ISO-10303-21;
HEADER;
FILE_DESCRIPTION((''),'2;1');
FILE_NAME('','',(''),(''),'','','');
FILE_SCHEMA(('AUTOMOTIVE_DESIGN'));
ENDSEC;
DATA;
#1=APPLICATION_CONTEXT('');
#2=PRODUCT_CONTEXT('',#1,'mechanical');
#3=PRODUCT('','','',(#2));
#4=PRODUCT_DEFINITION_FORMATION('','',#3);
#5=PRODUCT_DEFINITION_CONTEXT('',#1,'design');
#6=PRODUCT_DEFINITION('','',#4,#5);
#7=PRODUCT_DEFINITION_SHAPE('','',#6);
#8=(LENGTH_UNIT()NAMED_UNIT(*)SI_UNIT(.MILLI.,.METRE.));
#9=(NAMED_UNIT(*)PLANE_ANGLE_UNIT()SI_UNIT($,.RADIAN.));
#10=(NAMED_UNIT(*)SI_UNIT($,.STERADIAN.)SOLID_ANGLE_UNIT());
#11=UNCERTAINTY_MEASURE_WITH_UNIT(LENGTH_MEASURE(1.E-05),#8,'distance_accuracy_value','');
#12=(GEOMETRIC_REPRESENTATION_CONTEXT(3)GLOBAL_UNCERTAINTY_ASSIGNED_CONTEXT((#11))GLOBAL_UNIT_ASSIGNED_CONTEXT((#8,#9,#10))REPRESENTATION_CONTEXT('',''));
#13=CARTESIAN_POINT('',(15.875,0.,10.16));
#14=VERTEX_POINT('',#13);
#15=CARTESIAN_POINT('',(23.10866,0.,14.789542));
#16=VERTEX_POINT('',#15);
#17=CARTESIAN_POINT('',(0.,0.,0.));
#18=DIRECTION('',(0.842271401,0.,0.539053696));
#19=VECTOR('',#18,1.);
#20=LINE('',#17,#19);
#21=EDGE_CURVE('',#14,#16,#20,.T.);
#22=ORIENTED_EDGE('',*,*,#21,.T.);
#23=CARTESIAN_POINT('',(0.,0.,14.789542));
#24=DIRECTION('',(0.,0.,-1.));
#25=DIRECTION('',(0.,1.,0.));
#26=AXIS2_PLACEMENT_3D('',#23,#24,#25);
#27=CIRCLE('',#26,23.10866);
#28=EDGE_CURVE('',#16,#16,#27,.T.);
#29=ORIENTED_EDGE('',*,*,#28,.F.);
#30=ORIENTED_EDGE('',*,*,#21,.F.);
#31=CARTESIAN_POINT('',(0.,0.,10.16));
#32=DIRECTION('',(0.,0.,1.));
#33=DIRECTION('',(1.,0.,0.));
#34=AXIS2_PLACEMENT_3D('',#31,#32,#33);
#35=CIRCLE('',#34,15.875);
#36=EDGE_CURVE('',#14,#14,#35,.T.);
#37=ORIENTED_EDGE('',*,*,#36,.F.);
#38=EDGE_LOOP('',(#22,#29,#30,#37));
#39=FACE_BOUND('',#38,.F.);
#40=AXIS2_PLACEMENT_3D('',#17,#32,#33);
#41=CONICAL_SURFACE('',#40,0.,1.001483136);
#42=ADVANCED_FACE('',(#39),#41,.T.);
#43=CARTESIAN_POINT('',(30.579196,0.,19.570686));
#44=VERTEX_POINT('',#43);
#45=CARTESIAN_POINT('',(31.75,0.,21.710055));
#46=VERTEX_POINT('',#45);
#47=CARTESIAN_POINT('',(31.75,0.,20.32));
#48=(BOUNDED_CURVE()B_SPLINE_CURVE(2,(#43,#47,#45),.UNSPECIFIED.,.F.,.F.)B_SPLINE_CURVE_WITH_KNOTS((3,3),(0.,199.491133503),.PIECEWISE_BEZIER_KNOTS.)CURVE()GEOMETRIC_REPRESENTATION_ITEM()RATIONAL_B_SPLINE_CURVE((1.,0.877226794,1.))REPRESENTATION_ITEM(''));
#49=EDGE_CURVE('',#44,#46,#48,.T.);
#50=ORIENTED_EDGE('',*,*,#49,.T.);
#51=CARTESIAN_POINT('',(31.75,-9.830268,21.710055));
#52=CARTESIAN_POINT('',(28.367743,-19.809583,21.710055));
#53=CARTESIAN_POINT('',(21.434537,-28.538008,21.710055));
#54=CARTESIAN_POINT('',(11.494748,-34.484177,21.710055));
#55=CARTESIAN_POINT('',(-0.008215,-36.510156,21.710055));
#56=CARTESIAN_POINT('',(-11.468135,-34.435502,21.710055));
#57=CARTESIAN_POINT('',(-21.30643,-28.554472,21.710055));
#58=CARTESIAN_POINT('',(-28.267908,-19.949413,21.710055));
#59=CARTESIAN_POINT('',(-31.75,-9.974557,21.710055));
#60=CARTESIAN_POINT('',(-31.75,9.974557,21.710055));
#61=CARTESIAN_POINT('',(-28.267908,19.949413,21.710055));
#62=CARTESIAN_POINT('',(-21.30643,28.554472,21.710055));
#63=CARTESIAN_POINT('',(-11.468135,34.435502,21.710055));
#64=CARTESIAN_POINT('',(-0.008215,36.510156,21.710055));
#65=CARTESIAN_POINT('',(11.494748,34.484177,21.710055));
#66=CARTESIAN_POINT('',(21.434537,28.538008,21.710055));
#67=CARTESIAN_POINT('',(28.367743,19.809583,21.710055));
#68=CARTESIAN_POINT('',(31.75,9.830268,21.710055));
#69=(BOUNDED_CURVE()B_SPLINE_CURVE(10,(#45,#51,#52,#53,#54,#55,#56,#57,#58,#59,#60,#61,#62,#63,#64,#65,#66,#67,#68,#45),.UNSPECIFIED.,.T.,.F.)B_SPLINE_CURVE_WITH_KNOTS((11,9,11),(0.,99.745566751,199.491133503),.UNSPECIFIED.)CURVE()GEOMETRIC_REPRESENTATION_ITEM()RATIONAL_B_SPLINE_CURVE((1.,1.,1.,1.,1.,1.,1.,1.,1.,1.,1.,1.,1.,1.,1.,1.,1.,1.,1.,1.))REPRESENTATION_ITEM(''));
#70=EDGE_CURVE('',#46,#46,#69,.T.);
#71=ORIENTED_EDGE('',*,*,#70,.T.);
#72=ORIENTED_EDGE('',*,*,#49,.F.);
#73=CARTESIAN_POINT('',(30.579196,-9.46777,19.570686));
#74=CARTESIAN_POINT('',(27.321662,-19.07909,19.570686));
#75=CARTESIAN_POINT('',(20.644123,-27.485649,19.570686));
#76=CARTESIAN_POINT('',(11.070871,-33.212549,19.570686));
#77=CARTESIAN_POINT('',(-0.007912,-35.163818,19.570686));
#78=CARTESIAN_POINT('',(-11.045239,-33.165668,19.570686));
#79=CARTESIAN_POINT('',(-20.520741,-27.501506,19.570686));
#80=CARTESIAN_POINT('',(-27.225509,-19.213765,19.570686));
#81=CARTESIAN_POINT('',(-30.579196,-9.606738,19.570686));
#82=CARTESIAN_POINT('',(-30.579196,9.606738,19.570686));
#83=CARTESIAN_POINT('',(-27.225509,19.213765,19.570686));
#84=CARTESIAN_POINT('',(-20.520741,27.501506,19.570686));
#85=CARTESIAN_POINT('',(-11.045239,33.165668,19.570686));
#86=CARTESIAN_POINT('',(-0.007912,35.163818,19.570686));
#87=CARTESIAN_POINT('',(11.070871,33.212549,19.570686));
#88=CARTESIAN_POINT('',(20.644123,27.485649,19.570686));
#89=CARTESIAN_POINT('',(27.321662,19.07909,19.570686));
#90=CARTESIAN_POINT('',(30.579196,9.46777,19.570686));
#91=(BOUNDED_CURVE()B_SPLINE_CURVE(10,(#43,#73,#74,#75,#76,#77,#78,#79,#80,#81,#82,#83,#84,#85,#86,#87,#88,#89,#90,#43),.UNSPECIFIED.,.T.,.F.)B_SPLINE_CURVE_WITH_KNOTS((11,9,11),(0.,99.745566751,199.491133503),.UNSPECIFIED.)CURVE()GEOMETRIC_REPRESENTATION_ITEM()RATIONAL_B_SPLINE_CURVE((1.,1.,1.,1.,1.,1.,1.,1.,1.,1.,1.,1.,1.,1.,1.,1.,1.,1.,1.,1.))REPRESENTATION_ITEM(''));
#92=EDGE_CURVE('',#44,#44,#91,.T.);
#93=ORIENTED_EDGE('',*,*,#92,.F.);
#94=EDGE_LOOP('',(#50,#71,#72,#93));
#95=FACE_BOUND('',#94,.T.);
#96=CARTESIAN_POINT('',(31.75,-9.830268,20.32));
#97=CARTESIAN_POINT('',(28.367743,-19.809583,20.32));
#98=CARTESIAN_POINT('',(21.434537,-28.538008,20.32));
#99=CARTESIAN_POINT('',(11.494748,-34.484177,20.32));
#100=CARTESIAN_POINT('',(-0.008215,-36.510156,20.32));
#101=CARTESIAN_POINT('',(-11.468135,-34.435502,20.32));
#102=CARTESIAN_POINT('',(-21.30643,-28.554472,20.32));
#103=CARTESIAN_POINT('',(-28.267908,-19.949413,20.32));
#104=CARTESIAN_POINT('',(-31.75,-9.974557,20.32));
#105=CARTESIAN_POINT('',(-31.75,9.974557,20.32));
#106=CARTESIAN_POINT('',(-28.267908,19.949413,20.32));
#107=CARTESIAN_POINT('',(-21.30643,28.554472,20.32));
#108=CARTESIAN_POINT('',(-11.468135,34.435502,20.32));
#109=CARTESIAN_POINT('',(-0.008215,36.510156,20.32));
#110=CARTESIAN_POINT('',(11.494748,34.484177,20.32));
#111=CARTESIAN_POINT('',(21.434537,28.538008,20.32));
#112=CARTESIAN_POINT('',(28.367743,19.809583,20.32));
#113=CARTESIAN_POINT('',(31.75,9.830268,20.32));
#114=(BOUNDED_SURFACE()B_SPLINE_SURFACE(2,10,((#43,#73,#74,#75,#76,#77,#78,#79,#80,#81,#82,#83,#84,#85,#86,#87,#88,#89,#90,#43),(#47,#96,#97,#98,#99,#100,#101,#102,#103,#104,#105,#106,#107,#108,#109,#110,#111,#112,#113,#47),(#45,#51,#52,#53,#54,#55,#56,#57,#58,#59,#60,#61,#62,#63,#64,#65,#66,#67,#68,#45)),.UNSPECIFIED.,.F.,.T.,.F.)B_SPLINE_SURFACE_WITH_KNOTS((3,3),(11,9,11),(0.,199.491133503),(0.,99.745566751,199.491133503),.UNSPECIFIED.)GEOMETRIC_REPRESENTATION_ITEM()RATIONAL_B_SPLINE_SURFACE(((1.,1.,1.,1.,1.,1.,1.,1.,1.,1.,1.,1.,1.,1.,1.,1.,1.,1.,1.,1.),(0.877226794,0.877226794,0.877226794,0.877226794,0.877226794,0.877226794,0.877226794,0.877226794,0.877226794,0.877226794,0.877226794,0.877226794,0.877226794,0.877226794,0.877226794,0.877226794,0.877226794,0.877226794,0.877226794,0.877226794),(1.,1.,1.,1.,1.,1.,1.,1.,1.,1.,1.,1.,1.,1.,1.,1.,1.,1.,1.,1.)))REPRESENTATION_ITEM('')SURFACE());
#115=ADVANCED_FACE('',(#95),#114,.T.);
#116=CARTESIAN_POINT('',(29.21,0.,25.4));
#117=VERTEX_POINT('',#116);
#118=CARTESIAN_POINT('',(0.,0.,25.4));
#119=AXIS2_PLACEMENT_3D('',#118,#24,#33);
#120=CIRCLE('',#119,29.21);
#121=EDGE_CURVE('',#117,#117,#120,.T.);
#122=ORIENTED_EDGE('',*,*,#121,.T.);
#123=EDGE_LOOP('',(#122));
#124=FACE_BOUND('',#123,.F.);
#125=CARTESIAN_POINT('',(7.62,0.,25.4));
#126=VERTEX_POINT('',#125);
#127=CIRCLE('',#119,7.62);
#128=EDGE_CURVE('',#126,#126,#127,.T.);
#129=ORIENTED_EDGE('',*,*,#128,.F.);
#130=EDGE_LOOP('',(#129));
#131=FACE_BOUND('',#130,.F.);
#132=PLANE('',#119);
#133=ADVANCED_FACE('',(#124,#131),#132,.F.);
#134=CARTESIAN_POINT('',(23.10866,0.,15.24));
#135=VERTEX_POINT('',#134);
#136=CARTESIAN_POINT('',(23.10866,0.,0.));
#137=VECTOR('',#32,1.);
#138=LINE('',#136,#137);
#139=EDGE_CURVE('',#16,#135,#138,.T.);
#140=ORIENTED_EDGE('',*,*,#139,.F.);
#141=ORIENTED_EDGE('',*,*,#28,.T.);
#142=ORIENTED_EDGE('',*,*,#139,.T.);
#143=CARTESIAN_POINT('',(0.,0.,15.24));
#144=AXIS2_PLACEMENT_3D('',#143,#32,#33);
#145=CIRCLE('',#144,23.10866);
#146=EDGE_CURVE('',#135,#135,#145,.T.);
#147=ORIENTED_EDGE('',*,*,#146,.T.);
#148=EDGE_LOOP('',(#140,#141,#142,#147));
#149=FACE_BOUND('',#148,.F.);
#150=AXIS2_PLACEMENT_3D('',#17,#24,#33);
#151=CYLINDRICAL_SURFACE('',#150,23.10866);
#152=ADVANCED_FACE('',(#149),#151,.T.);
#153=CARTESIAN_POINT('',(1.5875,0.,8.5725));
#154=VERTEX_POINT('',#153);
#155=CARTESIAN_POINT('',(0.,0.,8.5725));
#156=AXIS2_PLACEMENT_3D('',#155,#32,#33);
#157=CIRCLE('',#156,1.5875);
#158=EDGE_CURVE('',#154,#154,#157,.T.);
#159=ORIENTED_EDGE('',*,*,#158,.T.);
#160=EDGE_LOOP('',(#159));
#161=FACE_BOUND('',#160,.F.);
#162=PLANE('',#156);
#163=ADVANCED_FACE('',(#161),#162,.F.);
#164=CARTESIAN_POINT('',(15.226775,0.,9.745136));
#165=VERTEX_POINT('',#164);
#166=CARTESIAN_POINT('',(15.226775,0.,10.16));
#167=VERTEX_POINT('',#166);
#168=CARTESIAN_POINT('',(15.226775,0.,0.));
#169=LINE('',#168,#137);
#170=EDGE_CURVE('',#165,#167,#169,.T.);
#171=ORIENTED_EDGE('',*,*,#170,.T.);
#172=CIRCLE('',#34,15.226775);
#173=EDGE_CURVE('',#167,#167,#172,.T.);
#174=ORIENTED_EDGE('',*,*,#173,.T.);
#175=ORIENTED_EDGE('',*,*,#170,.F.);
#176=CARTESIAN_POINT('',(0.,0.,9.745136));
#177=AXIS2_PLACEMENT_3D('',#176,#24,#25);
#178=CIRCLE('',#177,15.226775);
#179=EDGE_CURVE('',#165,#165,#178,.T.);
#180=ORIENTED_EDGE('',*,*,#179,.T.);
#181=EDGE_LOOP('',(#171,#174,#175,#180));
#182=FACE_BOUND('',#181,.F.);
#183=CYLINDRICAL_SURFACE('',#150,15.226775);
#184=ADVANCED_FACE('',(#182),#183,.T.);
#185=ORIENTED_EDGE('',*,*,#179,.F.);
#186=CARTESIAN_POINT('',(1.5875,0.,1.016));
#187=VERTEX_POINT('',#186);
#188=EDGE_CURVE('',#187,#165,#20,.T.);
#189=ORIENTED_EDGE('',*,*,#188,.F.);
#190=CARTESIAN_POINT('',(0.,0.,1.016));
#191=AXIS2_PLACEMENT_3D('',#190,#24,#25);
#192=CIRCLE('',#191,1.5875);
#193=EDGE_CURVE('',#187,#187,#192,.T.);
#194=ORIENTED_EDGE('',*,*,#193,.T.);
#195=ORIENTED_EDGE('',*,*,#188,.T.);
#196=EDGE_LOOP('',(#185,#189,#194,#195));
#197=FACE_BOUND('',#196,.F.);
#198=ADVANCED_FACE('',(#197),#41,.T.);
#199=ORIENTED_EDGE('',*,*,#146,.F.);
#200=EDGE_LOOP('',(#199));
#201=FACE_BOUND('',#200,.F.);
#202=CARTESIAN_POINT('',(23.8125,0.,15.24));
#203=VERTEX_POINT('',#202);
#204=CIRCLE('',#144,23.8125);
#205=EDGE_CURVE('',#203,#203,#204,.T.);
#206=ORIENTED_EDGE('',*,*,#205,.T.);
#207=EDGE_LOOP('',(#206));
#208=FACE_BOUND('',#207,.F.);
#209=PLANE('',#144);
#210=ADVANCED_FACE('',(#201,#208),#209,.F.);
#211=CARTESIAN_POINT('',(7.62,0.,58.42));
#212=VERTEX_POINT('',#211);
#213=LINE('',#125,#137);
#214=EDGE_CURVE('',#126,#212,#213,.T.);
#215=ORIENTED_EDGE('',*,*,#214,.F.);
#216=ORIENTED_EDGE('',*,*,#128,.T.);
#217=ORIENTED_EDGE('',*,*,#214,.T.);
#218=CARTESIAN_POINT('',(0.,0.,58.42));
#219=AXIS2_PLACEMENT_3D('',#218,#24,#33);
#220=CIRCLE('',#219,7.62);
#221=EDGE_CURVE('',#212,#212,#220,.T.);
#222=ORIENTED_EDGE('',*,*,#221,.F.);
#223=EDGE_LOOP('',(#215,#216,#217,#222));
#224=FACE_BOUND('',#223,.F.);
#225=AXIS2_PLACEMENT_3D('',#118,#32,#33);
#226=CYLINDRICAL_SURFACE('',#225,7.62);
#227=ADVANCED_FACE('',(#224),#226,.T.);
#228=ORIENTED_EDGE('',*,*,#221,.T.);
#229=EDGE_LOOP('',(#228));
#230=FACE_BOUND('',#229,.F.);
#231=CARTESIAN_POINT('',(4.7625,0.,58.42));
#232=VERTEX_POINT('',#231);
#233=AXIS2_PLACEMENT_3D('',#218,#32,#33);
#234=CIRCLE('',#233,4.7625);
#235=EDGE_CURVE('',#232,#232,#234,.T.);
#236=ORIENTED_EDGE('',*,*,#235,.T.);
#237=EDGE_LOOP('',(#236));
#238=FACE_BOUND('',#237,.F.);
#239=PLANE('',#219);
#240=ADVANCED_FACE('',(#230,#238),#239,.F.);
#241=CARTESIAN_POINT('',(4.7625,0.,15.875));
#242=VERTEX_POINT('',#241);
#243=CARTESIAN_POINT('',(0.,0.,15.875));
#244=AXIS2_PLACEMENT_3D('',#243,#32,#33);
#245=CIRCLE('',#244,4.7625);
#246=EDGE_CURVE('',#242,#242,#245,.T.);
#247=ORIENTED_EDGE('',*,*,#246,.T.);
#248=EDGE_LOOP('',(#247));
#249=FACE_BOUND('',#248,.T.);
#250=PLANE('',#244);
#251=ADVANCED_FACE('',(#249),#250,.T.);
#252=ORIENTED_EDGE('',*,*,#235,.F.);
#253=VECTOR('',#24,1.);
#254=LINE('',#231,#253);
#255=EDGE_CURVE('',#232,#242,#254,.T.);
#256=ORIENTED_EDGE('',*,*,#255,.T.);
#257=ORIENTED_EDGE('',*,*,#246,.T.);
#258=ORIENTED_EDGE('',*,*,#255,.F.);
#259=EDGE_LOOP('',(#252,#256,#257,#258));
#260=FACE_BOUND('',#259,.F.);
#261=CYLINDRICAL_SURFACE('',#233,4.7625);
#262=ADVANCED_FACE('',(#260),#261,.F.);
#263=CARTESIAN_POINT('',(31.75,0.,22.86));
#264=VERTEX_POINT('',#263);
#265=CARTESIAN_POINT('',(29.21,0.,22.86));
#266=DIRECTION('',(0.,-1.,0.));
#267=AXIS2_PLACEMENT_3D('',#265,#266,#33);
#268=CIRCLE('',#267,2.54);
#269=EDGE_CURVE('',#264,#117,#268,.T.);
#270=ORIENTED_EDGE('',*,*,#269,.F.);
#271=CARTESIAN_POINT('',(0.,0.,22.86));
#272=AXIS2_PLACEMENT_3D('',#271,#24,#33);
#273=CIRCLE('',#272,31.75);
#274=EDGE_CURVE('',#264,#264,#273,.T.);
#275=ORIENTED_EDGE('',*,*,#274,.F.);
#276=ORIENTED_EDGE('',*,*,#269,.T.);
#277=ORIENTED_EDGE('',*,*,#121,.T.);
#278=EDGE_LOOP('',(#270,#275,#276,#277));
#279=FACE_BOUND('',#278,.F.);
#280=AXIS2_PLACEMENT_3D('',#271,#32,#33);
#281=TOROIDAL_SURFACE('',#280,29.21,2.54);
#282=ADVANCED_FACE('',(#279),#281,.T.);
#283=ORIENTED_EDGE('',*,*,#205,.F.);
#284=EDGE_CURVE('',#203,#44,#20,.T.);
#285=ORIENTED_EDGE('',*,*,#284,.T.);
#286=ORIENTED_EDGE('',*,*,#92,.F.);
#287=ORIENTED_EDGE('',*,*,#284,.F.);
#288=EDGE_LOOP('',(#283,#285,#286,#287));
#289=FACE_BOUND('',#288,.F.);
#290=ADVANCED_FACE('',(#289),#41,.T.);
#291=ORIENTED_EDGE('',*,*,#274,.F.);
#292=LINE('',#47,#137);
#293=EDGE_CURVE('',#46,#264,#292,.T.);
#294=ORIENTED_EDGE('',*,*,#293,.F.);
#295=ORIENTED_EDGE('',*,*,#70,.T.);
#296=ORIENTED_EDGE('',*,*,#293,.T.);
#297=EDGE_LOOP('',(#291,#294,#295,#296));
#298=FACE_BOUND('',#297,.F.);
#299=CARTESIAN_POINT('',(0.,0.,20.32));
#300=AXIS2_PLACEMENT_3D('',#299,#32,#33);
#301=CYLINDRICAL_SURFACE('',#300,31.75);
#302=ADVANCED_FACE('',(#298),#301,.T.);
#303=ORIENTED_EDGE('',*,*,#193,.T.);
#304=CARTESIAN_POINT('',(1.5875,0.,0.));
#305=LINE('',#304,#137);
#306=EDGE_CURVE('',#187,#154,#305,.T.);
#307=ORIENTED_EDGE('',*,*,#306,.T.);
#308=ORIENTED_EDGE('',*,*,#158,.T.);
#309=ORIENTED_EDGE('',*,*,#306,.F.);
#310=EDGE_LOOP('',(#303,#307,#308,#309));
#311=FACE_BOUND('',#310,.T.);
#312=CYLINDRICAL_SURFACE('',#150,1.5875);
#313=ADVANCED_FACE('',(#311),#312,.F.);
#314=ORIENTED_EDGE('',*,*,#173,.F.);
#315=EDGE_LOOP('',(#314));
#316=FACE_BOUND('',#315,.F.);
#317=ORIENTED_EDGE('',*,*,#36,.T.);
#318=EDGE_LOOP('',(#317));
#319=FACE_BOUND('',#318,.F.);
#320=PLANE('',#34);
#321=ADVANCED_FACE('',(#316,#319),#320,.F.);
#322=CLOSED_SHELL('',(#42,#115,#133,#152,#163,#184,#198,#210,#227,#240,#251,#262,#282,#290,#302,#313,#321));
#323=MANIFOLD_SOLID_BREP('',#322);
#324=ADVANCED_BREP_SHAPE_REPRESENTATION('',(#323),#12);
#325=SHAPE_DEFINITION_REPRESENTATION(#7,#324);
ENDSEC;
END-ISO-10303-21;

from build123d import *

# Parameters (mm, degrees)
F2_R      = 2.54
F3_R      = 1.5875
F4_DEPTH  = 8.5725
F5_R      = 4.7625
F6_DEPTH  = 42.545
F7_R      = 17.565268
F7_R_2    = 15.226775
F8_DEPTH  = 10.16
F9_R      = 24.251391
F9_R_2    = 23.10866
F10_DEPTH = 15.24


with BuildPart() as f1:
    # F0 (on Front) → F1 (revolve)
    with BuildSketch(Plane.XZ):
        Polygon((0, 58.42), (0, 0), (31.75, 20.32), (31.75, 25.4), (7.62, 25.4), (7.62, 58.42), align=None)
    revolve(axis=Axis((0, 0, 29.21), (0, 0, -1)))

    # F2
    f2_edges = [f1.edges().sort_by_distance(p)[0] for p in [
        (-31.75, 0, 20.32),
        (-31.75, 0, 25.4),
        (31.75, 0, 22.86),
    ]]
    fillet(f2_edges, radius=F2_R)

    # F3 (on Top) → F4 (cut)
    with BuildSketch(Plane.XY):
        Circle(F3_R)
    extrude(amount=F4_DEPTH, mode=Mode.SUBTRACT)

    # F5 (on face) → F6 (cut)
    with BuildSketch(Plane.XY.offset(58.42)):
        Circle(F5_R)
    extrude(amount=-F6_DEPTH, mode=Mode.SUBTRACT)

    # F7 (on Top) → F8 (cut)
    with BuildSketch(Plane.XY):
        Circle(F7_R)
        Circle(F7_R_2, mode=Mode.SUBTRACT)
    extrude(amount=F8_DEPTH, mode=Mode.SUBTRACT)

    # F9 (on Top) → F10 (cut)
    with BuildSketch(Plane.XY):
        Circle(F9_R)
        Circle(F9_R_2, mode=Mode.SUBTRACT)
    extrude(amount=F10_DEPTH, mode=Mode.SUBTRACT)


solid = f1.part
